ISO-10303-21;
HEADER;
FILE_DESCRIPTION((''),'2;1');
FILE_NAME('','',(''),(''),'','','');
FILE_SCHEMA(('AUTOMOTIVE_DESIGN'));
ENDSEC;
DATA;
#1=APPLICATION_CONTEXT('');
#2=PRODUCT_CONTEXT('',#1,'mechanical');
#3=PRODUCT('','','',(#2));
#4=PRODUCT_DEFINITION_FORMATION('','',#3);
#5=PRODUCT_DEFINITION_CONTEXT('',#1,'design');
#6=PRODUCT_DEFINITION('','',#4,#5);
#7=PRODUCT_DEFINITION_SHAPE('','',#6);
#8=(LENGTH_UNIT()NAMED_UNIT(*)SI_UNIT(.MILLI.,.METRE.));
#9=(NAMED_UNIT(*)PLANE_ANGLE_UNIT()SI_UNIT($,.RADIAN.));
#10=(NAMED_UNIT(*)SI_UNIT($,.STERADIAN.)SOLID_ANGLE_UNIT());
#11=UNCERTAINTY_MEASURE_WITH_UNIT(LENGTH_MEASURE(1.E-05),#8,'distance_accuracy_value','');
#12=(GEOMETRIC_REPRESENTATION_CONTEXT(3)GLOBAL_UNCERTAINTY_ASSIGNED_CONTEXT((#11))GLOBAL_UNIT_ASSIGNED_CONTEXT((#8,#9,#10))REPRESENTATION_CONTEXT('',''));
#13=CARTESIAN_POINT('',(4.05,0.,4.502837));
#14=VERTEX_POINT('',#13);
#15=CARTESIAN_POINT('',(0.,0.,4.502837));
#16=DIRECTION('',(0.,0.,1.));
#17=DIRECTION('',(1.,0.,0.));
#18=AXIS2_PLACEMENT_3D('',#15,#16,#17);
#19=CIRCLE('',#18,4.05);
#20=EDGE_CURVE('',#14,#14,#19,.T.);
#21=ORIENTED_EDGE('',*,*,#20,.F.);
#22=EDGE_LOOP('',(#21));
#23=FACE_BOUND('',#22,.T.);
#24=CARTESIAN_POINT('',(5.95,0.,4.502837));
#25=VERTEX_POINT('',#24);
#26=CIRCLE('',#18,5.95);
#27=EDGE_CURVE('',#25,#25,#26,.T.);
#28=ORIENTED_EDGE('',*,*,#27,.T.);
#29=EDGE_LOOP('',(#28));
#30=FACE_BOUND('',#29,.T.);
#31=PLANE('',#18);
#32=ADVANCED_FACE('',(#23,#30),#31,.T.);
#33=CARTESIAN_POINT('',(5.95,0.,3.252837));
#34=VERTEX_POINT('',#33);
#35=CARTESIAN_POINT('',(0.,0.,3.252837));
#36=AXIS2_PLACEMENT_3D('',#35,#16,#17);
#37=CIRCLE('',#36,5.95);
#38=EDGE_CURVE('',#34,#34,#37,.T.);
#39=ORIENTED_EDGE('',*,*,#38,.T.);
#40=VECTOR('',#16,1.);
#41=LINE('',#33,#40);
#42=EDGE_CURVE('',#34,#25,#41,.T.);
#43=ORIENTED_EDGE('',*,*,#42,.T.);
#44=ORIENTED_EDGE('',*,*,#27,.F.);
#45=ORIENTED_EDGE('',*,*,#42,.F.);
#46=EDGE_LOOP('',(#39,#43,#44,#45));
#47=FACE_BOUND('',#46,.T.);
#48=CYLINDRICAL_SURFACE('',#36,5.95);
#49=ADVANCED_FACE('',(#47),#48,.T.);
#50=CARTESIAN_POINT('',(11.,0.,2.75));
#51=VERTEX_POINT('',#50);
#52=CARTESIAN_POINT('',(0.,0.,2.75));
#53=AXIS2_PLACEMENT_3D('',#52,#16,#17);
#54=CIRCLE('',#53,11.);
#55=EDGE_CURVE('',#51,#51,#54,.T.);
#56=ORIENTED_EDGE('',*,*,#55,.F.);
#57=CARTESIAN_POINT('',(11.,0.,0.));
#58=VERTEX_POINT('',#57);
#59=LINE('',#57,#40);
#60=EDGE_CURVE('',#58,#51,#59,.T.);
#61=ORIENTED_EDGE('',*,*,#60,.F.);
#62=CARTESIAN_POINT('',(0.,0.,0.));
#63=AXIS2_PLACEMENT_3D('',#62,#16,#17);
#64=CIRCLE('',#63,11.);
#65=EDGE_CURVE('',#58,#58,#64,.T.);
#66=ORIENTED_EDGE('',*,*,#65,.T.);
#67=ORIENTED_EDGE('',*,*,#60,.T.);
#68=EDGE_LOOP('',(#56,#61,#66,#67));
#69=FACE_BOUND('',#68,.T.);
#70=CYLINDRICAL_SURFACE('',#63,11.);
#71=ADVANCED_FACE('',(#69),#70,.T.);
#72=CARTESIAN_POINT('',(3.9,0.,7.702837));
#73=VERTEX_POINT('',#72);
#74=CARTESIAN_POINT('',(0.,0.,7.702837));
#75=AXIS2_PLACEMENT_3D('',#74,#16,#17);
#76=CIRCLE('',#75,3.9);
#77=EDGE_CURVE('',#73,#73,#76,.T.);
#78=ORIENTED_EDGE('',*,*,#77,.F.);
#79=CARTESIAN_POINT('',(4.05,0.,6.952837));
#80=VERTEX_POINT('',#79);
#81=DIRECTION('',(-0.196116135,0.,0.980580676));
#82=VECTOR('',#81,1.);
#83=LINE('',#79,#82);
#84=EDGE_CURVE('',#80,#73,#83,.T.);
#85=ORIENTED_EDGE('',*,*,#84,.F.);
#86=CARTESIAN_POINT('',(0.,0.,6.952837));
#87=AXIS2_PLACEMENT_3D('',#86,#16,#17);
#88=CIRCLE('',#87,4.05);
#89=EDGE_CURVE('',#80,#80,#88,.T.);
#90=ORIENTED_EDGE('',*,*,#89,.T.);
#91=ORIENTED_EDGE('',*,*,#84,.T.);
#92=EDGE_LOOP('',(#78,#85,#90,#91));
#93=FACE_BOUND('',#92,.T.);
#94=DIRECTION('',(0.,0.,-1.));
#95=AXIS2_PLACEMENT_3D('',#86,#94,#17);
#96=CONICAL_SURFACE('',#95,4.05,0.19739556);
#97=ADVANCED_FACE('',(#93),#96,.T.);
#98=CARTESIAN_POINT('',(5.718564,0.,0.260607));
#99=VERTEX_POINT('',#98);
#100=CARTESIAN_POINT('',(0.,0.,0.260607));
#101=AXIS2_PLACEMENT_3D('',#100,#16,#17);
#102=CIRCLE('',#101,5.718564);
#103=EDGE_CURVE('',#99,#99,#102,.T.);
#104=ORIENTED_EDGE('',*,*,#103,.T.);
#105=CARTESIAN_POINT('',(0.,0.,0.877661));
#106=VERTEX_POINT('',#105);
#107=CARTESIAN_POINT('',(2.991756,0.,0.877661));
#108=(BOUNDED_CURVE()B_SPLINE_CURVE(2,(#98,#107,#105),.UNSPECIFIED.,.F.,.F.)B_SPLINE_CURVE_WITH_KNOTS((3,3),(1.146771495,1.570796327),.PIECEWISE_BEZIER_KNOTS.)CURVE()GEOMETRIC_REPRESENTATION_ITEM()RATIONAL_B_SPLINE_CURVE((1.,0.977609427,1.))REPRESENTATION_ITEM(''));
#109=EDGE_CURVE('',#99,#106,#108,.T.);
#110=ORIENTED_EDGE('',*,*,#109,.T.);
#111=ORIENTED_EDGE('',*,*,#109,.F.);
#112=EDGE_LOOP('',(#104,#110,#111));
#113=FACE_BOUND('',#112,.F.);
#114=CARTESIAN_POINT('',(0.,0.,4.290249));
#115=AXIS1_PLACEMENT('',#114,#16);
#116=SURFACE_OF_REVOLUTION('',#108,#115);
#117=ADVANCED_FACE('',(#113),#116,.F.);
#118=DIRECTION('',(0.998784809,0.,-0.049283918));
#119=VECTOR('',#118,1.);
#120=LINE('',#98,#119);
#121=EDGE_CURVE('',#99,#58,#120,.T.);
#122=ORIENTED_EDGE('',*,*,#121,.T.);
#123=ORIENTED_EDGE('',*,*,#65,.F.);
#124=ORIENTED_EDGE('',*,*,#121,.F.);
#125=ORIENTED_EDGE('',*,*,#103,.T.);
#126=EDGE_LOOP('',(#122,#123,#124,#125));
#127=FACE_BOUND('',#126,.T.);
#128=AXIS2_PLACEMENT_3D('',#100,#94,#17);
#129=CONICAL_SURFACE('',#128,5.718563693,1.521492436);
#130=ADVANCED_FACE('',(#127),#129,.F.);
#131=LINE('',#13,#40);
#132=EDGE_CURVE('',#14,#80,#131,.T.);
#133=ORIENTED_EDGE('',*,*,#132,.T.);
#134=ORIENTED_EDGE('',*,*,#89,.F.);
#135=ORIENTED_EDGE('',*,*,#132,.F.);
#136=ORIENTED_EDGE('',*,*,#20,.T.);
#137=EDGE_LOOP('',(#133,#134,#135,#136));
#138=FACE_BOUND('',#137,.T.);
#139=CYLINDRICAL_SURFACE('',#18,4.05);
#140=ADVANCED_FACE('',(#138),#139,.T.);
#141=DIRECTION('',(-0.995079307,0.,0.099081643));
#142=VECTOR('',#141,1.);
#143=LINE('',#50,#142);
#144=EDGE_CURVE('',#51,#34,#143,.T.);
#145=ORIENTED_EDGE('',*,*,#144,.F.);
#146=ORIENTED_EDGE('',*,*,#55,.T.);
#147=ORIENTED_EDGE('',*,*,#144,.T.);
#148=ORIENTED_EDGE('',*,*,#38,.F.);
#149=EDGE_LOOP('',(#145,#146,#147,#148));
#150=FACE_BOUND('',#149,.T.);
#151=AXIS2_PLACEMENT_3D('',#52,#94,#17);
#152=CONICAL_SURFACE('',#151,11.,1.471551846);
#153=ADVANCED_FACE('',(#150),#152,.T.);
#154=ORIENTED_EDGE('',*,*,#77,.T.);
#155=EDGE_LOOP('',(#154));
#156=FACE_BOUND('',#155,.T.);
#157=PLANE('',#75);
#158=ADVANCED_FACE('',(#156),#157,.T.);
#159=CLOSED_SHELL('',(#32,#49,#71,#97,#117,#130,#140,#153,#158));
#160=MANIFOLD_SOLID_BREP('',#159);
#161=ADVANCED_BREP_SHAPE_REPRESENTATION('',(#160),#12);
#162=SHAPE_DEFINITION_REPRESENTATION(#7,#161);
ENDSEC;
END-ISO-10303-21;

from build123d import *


with BuildPart() as f1:
    # F0 (on Front) → F1 (revolve)
    with BuildSketch(Plane.XZ):
        with BuildLine():
            Line((3.9, 7.7028366029), (0, 7.7028366029))
            Line((0, 7.7028366029), (0, 0.8776605157))
            add(Edge.make_bspline(
                [(5.7185636925, 0.260606561), (2.9917562411, 0.8776605157), (0, 0.8776605157)],
                knots=[1.1467714955, 1.1467714955, 1.1467714955, 1.5707963268, 1.5707963268, 1.5707963268], degree=2, weights=[1, 0.9776094266, 1]))
            Line((5.7185636925, 0.260606561), (11, 0))
            Line((11, 0), (11, 2.75))
            Line((11, 2.75), (5.95, 3.2528366029))
            Line((5.95, 3.2528366029), (5.95, 4.5028366029))
            Line((5.95, 4.5028366029), (4.05, 4.5028366029))
            Line((4.05, 4.5028366029), (4.05, 6.9528366029))
            Line((4.05, 6.9528366029), (3.9, 7.7028366029))
        make_face()
    revolve(axis=Axis((0, 0, 4.2902485593), (0, 0, 1)))


solid = f1.part
